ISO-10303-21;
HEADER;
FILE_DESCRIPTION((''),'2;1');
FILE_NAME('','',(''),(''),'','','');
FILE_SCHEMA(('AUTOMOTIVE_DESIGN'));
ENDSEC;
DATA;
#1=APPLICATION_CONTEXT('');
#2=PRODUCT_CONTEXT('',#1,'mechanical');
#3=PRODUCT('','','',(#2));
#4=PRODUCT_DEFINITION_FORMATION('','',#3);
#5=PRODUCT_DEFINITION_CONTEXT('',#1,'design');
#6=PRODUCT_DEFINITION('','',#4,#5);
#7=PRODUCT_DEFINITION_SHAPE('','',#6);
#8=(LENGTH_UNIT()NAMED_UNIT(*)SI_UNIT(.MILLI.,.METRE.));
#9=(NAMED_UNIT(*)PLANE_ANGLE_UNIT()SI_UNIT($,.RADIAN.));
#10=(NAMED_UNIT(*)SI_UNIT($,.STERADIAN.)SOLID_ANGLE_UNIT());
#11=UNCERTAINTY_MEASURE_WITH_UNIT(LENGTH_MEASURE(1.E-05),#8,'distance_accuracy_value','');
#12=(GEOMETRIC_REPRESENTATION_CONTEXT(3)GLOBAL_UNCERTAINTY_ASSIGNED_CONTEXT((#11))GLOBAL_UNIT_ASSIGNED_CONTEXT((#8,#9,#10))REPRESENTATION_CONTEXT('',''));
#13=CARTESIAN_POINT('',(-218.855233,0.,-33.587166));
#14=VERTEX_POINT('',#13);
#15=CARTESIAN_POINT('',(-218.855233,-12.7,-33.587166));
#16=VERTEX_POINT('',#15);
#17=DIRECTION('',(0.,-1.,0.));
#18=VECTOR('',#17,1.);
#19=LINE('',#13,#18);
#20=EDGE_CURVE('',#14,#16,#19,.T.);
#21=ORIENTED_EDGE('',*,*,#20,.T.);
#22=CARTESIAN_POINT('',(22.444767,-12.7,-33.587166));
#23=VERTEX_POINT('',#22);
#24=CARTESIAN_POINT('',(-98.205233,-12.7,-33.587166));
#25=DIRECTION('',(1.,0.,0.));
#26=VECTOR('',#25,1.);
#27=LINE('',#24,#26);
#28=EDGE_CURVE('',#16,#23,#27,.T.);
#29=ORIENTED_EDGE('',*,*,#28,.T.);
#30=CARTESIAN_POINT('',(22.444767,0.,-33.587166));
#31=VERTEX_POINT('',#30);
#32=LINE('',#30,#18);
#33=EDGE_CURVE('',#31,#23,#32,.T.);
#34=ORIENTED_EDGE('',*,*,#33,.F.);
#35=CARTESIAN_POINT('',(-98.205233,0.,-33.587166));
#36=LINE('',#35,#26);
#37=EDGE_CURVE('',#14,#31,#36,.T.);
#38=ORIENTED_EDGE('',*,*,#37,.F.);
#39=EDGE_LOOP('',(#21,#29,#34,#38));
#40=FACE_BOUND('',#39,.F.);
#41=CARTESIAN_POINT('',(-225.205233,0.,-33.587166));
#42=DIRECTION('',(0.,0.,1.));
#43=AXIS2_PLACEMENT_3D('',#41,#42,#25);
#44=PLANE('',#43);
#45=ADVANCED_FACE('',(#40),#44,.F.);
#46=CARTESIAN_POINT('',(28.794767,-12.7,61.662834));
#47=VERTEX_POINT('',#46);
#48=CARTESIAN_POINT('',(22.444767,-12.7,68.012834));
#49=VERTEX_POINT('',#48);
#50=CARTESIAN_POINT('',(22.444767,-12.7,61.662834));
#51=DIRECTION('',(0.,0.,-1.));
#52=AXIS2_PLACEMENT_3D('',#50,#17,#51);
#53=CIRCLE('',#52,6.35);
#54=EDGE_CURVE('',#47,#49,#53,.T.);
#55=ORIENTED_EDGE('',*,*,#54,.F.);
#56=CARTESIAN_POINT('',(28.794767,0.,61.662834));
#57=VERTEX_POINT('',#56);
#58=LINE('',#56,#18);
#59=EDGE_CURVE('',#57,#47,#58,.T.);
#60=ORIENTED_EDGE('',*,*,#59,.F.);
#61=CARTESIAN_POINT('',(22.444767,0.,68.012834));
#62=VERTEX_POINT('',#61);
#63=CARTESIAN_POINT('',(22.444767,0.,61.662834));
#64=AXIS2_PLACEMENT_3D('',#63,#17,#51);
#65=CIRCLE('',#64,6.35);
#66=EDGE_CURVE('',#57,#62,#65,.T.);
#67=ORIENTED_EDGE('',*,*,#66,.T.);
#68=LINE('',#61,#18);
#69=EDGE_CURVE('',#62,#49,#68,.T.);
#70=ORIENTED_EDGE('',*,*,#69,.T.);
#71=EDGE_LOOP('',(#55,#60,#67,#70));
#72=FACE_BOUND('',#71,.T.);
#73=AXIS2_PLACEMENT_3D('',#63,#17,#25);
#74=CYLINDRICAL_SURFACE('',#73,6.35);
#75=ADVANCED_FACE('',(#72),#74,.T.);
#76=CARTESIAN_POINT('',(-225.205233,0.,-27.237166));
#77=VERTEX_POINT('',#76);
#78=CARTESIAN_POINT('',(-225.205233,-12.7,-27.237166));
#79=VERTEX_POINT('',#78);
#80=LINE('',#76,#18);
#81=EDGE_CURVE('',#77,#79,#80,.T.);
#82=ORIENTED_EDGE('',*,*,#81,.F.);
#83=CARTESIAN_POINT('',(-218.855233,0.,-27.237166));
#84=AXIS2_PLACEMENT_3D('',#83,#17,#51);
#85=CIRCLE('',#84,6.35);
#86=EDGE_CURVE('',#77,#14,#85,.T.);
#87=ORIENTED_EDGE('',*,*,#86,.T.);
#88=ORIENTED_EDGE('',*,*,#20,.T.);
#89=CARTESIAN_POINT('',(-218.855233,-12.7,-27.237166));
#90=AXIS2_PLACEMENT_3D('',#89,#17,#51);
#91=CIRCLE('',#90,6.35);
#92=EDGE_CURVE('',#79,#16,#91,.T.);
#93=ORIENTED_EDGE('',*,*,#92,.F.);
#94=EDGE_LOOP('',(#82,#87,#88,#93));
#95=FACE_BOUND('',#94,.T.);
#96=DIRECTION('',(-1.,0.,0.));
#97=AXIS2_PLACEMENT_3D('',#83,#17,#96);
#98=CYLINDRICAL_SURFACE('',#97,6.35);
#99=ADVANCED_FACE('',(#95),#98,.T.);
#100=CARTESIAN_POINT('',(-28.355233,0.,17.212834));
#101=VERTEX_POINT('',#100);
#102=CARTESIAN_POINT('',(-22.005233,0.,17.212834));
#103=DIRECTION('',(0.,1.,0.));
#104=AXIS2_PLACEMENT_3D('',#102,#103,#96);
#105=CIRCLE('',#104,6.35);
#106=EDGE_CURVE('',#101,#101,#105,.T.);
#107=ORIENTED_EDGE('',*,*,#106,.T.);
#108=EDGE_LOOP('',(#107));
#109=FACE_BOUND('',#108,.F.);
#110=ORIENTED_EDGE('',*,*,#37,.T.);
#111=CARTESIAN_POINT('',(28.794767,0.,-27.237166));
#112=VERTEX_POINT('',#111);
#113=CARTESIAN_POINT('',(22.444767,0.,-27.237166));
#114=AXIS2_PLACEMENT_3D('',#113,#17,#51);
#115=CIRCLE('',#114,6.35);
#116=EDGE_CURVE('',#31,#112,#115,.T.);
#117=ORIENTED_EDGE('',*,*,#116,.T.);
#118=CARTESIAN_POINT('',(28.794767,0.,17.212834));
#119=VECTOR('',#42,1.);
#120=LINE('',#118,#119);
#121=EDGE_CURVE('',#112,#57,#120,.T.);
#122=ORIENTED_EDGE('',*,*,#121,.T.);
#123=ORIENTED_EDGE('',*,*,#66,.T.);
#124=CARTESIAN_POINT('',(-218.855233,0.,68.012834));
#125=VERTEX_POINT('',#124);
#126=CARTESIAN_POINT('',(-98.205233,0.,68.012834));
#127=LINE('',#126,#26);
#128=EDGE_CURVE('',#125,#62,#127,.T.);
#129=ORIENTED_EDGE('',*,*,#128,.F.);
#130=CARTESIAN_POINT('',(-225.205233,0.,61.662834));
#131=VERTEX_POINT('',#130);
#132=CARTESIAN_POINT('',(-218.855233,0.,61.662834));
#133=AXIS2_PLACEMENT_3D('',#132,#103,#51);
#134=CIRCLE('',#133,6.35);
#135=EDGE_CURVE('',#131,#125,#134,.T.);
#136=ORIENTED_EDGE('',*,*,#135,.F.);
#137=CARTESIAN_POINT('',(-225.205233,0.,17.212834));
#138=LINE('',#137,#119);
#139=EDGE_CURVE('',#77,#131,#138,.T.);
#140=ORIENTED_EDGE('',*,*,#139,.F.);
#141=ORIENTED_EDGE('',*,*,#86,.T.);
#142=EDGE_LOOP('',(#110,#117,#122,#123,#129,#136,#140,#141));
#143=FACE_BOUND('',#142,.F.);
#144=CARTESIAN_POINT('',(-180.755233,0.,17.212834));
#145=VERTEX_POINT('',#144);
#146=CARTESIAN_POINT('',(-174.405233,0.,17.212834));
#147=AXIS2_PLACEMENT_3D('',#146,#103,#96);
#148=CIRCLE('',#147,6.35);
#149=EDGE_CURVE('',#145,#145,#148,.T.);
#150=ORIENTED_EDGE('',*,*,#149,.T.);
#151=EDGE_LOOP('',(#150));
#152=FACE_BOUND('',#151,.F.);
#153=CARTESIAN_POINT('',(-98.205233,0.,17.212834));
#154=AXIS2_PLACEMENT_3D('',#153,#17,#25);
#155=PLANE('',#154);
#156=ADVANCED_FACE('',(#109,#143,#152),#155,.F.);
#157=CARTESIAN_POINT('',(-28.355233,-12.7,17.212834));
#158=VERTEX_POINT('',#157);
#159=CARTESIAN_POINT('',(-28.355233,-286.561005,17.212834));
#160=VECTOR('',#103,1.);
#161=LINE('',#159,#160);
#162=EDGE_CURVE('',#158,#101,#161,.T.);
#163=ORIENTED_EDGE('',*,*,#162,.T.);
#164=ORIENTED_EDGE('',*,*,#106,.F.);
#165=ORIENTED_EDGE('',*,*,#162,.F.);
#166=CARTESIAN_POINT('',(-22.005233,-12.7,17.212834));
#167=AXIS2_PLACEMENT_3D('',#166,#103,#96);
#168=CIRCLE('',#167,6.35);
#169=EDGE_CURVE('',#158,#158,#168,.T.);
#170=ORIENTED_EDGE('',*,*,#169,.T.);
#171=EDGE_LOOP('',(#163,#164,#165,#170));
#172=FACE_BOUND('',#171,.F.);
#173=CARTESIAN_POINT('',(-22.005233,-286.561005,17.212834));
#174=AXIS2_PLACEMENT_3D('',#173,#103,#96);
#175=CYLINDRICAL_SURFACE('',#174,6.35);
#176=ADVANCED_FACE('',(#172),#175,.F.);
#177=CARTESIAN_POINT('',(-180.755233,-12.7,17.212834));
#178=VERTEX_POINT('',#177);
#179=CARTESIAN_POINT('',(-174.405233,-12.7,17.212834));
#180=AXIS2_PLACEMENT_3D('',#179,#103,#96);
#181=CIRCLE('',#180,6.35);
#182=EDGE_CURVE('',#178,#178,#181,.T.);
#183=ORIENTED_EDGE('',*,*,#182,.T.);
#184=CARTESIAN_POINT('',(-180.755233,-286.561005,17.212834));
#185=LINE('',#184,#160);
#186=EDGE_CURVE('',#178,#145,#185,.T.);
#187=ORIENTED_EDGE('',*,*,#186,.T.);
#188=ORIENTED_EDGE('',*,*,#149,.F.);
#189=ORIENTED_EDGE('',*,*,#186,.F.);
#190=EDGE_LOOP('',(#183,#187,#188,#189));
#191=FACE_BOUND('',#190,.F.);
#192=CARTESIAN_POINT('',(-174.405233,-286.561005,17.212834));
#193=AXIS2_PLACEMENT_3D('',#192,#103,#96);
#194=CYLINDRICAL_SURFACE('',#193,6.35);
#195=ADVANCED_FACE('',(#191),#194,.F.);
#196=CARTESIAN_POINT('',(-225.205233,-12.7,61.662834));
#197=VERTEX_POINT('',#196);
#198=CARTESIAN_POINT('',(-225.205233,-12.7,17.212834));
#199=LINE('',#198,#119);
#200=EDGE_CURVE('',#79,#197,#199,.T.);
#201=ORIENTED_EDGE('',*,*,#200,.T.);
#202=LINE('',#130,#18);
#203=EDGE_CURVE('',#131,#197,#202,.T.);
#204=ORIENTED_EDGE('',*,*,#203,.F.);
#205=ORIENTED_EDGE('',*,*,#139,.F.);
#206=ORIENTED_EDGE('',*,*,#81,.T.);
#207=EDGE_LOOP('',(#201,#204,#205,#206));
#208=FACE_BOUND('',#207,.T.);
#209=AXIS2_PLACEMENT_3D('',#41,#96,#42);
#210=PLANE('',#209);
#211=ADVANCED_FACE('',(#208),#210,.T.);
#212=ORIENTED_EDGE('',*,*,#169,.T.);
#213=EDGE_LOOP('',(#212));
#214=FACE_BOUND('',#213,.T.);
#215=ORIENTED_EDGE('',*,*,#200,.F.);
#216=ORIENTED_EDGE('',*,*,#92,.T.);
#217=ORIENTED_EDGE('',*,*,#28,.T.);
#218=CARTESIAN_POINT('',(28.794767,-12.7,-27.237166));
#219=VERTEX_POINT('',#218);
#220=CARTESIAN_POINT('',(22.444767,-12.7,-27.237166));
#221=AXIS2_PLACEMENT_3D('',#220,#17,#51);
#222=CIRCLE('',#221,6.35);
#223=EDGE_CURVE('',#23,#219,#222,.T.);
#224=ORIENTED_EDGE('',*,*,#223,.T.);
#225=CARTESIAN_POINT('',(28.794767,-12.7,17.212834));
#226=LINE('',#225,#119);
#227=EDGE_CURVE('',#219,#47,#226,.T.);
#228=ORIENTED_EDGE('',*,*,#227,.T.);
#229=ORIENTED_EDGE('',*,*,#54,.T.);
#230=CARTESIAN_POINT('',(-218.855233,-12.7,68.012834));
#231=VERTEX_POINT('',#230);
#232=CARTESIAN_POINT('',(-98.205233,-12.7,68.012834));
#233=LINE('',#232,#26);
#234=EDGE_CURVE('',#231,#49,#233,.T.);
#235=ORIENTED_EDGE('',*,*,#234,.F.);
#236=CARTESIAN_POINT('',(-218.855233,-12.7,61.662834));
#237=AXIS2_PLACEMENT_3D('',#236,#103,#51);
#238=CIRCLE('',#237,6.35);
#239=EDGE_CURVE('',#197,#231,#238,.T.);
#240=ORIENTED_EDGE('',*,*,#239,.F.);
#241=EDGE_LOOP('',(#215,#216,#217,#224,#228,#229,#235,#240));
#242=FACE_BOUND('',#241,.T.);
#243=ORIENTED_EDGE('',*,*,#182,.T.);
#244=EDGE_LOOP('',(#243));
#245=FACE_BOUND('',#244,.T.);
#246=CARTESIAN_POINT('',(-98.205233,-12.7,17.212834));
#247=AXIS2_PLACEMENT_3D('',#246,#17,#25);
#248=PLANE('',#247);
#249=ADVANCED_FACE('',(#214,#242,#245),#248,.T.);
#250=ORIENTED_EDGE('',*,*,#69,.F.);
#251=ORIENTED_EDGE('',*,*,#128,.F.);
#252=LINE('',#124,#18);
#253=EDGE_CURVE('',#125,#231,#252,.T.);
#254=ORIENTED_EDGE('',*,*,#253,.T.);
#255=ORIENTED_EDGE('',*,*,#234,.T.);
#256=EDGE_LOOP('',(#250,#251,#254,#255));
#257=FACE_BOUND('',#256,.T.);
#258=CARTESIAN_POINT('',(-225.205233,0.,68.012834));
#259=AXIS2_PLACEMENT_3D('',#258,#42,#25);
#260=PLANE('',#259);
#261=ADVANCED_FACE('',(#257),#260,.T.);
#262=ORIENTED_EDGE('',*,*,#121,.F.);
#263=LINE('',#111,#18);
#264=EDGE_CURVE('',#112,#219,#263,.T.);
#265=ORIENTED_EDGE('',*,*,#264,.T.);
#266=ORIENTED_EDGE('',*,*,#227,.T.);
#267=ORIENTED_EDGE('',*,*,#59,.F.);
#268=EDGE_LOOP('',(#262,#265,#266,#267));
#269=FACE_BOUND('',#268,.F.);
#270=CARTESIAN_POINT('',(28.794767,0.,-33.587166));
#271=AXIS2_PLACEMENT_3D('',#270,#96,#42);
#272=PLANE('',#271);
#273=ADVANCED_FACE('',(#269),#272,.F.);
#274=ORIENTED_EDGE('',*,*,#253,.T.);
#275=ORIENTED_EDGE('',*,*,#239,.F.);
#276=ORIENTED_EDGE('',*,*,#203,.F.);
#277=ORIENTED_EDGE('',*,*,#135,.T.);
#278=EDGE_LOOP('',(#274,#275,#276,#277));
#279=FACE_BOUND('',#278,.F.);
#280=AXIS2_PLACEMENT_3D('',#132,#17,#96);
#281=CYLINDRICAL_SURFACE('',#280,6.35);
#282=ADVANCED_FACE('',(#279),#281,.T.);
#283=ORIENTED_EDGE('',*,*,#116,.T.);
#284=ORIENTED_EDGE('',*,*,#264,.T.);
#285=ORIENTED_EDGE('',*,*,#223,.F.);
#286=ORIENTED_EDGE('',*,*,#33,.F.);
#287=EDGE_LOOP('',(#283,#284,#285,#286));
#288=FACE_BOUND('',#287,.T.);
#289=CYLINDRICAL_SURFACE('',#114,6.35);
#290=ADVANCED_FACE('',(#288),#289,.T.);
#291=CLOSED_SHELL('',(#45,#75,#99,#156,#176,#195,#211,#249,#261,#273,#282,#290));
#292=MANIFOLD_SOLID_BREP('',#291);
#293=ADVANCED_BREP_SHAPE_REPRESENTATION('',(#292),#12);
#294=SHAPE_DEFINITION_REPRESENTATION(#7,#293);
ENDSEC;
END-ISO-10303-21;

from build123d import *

# Parameters (mm, degrees)
F0_W     = 254
F0_H     = 101.6
F1_DEPTH = 12.7
F3_R     = 6.35
F4_D     = 12.7


with BuildPart() as f1:
    # F0 (on Front) → F1 (new body)
    with BuildSketch(Plane.XZ):
        with Locations((-98.205233, 17.212834)):
            Rectangle(F0_W, F0_H)
    extrude(amount=F1_DEPTH)

    # F3
    f3_edges = [f1.edges().sort_by_distance(p)[0] for p in [
        (-225.205233, -6.35, 68.012834),
        (28.794767, -6.35, 68.012834),
        (28.794767, -6.35, -33.587166),
        (-225.205233, -6.35, -33.587166),
    ]]
    fillet(f3_edges, radius=F3_R)

    # F4 (through all)
    with Locations(Plane.XZ.offset(12.7)):
        with Locations((-174.405233, 17.212834), (-22.005233, 17.212834)):
            Hole(F4_D / 2)


solid = f1.part
